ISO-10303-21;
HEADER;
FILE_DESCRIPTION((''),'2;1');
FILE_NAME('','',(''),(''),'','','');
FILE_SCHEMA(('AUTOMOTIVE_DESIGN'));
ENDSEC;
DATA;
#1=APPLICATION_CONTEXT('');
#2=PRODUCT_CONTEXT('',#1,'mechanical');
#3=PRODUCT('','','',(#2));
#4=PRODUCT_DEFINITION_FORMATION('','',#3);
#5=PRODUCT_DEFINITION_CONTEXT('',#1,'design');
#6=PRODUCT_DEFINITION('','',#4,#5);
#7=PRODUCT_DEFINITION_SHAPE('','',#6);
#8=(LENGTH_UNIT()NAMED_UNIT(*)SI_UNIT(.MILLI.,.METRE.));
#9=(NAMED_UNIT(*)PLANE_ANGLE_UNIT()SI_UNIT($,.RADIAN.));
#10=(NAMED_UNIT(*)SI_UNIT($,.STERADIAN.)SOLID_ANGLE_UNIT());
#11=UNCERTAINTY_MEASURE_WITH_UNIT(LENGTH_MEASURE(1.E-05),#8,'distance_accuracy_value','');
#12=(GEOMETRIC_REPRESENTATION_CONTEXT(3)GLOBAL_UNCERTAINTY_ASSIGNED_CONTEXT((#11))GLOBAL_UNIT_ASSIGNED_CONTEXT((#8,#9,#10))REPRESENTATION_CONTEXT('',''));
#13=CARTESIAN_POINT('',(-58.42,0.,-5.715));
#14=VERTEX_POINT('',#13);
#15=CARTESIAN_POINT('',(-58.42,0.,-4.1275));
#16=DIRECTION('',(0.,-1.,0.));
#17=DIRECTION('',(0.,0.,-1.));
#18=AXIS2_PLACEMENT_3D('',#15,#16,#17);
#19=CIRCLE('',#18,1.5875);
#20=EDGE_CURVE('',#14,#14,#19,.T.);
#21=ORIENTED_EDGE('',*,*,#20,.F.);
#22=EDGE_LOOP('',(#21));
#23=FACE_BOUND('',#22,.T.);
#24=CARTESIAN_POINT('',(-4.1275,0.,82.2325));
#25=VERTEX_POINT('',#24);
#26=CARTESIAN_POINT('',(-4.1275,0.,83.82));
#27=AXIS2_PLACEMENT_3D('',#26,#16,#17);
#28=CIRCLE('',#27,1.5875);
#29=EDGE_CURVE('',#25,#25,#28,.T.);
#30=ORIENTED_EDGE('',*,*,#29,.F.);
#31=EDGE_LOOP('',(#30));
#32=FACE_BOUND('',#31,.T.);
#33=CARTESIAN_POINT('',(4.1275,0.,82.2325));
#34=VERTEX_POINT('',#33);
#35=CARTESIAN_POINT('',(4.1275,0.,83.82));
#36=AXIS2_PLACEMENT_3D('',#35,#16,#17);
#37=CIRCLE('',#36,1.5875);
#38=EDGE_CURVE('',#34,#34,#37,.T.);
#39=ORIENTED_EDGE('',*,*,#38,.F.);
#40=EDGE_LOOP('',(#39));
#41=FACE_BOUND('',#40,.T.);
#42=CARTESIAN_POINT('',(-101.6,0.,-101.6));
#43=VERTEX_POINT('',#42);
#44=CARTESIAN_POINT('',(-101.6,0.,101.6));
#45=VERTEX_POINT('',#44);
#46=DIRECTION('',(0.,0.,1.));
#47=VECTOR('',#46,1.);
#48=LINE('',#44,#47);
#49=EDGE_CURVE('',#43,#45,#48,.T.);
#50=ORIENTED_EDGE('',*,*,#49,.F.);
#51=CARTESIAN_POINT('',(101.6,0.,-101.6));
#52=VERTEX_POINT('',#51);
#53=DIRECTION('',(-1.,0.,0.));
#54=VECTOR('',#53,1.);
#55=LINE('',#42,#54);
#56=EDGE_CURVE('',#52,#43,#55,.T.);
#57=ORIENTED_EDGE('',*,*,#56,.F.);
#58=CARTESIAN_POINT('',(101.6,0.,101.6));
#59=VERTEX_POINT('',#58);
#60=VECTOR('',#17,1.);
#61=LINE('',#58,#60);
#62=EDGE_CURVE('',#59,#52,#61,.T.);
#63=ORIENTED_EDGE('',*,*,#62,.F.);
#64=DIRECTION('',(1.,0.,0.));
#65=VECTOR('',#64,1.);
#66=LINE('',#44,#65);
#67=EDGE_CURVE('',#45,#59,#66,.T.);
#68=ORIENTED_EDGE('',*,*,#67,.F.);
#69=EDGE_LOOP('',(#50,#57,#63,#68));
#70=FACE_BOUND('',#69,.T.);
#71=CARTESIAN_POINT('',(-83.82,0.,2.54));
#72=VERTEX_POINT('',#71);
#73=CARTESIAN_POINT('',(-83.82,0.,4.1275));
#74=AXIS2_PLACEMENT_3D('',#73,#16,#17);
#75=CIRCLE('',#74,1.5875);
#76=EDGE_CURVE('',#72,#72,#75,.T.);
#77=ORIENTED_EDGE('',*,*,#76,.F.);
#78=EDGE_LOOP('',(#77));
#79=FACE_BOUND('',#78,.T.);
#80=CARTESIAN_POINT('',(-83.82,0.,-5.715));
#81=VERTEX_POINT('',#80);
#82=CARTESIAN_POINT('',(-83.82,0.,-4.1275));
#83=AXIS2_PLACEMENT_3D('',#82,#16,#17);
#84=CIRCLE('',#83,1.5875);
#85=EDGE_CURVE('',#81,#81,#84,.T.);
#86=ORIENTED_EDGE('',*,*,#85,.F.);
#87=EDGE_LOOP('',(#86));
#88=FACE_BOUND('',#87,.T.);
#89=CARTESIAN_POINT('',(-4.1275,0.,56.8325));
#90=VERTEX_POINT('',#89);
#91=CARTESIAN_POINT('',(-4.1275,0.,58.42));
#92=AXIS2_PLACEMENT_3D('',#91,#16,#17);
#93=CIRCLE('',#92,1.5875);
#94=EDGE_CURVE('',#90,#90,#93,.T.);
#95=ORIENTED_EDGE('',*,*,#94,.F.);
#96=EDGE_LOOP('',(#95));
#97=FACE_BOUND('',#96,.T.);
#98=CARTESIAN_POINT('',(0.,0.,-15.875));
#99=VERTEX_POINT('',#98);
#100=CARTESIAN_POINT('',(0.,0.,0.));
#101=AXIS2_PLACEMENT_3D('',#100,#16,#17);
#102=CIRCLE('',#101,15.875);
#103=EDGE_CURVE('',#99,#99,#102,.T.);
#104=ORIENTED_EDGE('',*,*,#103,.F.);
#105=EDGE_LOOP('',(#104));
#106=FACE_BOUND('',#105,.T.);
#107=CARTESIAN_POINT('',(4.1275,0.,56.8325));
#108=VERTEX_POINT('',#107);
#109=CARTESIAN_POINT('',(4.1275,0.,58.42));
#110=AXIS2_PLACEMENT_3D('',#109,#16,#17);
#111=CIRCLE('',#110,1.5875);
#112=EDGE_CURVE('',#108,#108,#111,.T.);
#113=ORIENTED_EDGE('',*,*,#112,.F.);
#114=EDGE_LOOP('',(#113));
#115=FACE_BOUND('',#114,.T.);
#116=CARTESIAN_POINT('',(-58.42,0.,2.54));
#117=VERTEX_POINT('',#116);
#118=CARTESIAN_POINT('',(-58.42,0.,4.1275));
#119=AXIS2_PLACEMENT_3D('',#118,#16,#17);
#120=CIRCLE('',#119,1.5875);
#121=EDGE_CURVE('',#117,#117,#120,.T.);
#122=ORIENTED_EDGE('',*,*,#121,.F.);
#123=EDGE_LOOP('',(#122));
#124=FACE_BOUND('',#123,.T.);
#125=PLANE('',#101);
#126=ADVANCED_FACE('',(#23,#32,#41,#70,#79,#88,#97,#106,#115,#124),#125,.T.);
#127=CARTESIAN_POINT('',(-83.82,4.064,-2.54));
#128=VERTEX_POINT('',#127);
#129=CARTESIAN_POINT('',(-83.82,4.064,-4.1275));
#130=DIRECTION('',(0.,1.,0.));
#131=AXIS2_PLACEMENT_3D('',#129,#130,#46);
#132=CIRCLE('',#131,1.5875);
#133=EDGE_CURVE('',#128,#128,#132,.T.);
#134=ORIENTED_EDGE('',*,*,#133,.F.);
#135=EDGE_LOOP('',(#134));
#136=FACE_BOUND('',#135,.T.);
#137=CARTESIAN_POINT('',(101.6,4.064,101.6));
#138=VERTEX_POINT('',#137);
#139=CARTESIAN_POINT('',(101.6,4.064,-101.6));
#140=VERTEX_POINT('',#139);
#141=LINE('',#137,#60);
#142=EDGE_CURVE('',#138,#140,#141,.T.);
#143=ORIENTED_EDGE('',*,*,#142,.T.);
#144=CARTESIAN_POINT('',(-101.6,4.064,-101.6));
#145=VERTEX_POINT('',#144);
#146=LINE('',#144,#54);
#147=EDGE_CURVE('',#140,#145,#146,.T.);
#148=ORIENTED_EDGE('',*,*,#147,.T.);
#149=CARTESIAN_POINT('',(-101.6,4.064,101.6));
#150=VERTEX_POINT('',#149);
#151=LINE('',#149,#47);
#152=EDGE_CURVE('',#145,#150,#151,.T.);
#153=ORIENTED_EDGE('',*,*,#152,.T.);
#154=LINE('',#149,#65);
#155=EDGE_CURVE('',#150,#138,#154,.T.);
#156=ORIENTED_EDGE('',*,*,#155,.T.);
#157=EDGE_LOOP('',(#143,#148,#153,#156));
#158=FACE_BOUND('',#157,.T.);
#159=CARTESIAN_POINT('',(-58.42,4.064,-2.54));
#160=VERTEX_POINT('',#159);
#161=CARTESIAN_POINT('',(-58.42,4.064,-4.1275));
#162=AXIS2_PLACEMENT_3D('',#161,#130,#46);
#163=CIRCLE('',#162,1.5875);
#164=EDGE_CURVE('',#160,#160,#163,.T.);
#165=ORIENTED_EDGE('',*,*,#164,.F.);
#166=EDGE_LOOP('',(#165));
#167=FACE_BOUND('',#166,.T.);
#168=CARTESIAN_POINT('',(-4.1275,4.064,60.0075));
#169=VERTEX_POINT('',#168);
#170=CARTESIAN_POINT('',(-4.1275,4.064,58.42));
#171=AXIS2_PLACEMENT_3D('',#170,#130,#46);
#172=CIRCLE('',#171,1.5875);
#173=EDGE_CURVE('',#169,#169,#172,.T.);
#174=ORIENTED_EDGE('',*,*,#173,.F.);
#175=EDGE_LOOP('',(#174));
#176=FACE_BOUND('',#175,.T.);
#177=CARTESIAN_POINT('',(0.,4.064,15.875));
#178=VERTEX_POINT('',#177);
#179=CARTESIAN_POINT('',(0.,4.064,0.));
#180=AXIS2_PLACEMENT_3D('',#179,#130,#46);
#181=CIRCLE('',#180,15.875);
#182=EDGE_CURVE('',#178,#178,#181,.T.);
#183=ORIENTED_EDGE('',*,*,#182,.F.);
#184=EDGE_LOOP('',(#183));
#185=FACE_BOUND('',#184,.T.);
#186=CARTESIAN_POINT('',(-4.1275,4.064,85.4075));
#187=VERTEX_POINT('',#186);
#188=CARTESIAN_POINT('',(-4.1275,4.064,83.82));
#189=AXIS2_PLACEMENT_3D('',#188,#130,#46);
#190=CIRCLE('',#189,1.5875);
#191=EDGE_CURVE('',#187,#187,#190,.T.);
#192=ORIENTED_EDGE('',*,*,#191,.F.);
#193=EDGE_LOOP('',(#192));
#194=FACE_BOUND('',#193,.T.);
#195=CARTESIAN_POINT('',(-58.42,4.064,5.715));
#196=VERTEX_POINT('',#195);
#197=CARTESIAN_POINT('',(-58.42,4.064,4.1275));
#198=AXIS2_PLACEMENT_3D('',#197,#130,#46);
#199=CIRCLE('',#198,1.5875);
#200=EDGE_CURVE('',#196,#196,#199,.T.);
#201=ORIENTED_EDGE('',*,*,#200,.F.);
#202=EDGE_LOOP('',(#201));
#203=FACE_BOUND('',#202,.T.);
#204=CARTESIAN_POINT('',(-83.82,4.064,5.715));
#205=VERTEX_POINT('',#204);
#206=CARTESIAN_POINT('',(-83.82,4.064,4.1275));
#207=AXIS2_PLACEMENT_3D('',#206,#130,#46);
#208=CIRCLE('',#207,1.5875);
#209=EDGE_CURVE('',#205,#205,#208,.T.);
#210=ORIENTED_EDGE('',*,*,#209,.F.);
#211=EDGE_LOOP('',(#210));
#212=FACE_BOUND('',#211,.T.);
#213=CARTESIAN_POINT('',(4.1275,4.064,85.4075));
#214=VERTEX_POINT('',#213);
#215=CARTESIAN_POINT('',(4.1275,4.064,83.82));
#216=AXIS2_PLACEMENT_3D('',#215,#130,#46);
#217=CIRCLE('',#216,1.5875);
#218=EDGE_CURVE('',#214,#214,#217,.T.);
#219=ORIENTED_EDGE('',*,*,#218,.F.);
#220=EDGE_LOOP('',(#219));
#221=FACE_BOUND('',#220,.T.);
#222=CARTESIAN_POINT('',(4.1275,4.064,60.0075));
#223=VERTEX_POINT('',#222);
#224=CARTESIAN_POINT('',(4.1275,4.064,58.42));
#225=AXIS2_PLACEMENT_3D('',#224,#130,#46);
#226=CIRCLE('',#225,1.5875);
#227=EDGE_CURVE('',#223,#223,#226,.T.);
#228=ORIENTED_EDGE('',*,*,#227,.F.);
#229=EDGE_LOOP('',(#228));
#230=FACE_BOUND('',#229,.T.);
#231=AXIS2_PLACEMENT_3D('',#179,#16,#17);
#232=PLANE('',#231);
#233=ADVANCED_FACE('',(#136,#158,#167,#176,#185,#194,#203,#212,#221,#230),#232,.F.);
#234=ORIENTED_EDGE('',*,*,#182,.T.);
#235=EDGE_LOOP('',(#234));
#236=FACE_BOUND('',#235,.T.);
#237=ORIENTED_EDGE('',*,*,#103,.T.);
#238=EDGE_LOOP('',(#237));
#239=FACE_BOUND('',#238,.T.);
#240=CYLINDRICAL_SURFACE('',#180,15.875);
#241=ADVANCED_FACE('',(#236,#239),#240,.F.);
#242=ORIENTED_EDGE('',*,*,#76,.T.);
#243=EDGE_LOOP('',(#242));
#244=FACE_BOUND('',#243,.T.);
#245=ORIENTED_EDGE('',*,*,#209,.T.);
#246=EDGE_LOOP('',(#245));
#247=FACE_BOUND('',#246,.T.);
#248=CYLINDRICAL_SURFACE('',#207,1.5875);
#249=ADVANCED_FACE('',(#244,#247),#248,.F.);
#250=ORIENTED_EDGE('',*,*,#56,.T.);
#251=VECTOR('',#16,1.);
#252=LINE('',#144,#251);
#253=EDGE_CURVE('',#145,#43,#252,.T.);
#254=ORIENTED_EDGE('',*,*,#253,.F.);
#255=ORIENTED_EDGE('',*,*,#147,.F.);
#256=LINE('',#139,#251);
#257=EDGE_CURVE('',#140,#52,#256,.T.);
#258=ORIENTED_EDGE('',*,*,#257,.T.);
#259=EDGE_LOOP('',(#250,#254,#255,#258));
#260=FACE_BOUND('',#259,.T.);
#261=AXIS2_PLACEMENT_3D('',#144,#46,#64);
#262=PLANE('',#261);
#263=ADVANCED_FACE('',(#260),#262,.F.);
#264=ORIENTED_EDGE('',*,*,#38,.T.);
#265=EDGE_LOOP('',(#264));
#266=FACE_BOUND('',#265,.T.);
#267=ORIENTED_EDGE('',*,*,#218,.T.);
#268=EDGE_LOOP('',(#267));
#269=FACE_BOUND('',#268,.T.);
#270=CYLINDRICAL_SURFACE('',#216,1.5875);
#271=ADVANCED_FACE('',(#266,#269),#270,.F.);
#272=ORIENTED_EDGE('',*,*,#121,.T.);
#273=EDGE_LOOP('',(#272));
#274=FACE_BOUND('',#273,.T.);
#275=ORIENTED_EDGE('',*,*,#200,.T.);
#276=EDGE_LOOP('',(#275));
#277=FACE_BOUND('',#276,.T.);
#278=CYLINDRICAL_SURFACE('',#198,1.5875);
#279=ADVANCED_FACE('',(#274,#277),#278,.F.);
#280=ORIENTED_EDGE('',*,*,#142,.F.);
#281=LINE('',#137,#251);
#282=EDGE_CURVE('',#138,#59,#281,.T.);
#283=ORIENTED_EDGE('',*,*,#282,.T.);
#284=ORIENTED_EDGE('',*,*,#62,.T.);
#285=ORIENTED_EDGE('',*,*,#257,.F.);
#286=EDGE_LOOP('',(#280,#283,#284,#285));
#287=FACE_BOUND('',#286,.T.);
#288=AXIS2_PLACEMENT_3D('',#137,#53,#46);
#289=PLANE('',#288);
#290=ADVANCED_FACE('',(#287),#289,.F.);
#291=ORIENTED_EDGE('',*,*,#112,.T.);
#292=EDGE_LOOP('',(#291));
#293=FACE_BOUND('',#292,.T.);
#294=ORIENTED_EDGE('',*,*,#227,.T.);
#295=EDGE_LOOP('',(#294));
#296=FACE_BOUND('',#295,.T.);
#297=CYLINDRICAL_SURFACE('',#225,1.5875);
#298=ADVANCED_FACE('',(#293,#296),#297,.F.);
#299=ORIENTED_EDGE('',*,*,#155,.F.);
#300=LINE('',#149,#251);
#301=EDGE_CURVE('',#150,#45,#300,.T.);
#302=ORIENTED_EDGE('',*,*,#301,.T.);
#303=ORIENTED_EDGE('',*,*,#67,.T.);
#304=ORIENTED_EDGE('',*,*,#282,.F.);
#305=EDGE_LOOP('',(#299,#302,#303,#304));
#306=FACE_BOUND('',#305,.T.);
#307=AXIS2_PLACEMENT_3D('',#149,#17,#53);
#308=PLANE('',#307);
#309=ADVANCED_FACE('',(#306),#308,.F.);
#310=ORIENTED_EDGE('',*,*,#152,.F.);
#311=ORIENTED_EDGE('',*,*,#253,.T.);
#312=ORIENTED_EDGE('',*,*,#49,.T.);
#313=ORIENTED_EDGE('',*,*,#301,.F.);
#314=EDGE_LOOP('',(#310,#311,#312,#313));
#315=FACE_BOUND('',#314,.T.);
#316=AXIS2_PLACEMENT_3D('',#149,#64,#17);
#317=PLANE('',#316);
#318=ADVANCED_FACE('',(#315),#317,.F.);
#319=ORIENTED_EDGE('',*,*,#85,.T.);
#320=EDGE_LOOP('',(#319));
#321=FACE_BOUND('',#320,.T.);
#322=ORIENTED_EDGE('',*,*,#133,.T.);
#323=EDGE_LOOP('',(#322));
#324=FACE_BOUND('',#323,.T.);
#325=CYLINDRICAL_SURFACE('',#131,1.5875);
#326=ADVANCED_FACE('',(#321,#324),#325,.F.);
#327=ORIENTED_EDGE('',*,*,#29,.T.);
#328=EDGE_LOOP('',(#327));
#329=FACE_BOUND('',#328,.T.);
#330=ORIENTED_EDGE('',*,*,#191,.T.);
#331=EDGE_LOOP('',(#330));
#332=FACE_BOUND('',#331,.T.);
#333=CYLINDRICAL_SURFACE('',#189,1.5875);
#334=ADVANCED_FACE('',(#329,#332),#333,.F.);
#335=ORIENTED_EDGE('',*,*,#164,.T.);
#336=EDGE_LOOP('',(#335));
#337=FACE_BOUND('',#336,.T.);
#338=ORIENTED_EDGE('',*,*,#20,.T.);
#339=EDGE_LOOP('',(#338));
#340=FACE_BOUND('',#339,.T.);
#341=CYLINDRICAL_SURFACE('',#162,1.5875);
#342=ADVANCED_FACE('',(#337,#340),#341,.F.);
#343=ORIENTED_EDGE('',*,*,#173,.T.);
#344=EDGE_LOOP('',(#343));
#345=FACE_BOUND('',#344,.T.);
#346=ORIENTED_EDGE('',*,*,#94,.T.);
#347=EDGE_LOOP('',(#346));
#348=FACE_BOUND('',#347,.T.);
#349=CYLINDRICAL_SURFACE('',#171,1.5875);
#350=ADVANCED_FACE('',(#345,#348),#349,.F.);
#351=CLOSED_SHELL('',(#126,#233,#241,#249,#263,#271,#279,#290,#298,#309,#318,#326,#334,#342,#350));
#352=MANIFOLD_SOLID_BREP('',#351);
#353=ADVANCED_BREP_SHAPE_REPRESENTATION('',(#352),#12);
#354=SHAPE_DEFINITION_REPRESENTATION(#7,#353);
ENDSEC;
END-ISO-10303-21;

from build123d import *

# Parameters (mm, degrees)
SKETCH1_W                        = 203.2
SKETCH1_H                        = 203.2
BOSS_EXTRUDE1_DEPTH              = 4.064
F_1_8_0_125_DIAMETER_HOLE1_D     = 3.175
F_1_8_0_125_DIAMETER_HOLE1_DEPTH = 25.4
F_1_8_0_125_DIAMETER_HOLE1_TIP   = 0.953866233
F_5_8_0_625_DIAMETER_HOLE1_D     = 31.75
F_5_8_0_625_DIAMETER_HOLE1_DEPTH = 25.4
F_5_8_0_625_DIAMETER_HOLE1_TIP   = 9.538662327


with BuildPart() as part:
    # Sketch1 → Boss-Extrude1 (new body)
    with BuildSketch(Plane(origin=(0, 0, 0), x_dir=(1, 0, 0), z_dir=(0, 1, 0))):
        Rectangle(SKETCH1_W, SKETCH1_H)
    extrude(amount=BOSS_EXTRUDE1_DEPTH)

    # 1/8 (0.125) Diameter Hole1
    with Locations(Plane(origin=(0, 4.064, 0), x_dir=(1, 0, 0), z_dir=(0, 1, 0))):
        with Locations((-83.82, 4.1275), (-58.42, 4.1275), (-58.42, -4.1275), (-83.82, -4.1275), (-4.1275, -83.82), (-4.1275, -58.42), (4.1275, -58.42), (4.1275, -83.82)):
            Hole(F_1_8_0_125_DIAMETER_HOLE1_D / 2, depth=F_1_8_0_125_DIAMETER_HOLE1_DEPTH)
            with Locations((0, 0, -(F_1_8_0_125_DIAMETER_HOLE1_DEPTH + F_1_8_0_125_DIAMETER_HOLE1_TIP / 2))):  # 118° drill point
                Cone(0, F_1_8_0_125_DIAMETER_HOLE1_D / 2, F_1_8_0_125_DIAMETER_HOLE1_TIP, mode=Mode.SUBTRACT)

    # 5/8 (0.625) Diameter Hole1
    with Locations(Plane(origin=(0, 4.064, 0), x_dir=(1, 0, 0), z_dir=(0, 1, 0))):
        with Locations((0, 0)):
            Hole(F_5_8_0_625_DIAMETER_HOLE1_D / 2, depth=F_5_8_0_625_DIAMETER_HOLE1_DEPTH)
            with Locations((0, 0, -(F_5_8_0_625_DIAMETER_HOLE1_DEPTH + F_5_8_0_625_DIAMETER_HOLE1_TIP / 2))):  # 118° drill point
                Cone(0, F_5_8_0_625_DIAMETER_HOLE1_D / 2, F_5_8_0_625_DIAMETER_HOLE1_TIP, mode=Mode.SUBTRACT)


solid = part.part
